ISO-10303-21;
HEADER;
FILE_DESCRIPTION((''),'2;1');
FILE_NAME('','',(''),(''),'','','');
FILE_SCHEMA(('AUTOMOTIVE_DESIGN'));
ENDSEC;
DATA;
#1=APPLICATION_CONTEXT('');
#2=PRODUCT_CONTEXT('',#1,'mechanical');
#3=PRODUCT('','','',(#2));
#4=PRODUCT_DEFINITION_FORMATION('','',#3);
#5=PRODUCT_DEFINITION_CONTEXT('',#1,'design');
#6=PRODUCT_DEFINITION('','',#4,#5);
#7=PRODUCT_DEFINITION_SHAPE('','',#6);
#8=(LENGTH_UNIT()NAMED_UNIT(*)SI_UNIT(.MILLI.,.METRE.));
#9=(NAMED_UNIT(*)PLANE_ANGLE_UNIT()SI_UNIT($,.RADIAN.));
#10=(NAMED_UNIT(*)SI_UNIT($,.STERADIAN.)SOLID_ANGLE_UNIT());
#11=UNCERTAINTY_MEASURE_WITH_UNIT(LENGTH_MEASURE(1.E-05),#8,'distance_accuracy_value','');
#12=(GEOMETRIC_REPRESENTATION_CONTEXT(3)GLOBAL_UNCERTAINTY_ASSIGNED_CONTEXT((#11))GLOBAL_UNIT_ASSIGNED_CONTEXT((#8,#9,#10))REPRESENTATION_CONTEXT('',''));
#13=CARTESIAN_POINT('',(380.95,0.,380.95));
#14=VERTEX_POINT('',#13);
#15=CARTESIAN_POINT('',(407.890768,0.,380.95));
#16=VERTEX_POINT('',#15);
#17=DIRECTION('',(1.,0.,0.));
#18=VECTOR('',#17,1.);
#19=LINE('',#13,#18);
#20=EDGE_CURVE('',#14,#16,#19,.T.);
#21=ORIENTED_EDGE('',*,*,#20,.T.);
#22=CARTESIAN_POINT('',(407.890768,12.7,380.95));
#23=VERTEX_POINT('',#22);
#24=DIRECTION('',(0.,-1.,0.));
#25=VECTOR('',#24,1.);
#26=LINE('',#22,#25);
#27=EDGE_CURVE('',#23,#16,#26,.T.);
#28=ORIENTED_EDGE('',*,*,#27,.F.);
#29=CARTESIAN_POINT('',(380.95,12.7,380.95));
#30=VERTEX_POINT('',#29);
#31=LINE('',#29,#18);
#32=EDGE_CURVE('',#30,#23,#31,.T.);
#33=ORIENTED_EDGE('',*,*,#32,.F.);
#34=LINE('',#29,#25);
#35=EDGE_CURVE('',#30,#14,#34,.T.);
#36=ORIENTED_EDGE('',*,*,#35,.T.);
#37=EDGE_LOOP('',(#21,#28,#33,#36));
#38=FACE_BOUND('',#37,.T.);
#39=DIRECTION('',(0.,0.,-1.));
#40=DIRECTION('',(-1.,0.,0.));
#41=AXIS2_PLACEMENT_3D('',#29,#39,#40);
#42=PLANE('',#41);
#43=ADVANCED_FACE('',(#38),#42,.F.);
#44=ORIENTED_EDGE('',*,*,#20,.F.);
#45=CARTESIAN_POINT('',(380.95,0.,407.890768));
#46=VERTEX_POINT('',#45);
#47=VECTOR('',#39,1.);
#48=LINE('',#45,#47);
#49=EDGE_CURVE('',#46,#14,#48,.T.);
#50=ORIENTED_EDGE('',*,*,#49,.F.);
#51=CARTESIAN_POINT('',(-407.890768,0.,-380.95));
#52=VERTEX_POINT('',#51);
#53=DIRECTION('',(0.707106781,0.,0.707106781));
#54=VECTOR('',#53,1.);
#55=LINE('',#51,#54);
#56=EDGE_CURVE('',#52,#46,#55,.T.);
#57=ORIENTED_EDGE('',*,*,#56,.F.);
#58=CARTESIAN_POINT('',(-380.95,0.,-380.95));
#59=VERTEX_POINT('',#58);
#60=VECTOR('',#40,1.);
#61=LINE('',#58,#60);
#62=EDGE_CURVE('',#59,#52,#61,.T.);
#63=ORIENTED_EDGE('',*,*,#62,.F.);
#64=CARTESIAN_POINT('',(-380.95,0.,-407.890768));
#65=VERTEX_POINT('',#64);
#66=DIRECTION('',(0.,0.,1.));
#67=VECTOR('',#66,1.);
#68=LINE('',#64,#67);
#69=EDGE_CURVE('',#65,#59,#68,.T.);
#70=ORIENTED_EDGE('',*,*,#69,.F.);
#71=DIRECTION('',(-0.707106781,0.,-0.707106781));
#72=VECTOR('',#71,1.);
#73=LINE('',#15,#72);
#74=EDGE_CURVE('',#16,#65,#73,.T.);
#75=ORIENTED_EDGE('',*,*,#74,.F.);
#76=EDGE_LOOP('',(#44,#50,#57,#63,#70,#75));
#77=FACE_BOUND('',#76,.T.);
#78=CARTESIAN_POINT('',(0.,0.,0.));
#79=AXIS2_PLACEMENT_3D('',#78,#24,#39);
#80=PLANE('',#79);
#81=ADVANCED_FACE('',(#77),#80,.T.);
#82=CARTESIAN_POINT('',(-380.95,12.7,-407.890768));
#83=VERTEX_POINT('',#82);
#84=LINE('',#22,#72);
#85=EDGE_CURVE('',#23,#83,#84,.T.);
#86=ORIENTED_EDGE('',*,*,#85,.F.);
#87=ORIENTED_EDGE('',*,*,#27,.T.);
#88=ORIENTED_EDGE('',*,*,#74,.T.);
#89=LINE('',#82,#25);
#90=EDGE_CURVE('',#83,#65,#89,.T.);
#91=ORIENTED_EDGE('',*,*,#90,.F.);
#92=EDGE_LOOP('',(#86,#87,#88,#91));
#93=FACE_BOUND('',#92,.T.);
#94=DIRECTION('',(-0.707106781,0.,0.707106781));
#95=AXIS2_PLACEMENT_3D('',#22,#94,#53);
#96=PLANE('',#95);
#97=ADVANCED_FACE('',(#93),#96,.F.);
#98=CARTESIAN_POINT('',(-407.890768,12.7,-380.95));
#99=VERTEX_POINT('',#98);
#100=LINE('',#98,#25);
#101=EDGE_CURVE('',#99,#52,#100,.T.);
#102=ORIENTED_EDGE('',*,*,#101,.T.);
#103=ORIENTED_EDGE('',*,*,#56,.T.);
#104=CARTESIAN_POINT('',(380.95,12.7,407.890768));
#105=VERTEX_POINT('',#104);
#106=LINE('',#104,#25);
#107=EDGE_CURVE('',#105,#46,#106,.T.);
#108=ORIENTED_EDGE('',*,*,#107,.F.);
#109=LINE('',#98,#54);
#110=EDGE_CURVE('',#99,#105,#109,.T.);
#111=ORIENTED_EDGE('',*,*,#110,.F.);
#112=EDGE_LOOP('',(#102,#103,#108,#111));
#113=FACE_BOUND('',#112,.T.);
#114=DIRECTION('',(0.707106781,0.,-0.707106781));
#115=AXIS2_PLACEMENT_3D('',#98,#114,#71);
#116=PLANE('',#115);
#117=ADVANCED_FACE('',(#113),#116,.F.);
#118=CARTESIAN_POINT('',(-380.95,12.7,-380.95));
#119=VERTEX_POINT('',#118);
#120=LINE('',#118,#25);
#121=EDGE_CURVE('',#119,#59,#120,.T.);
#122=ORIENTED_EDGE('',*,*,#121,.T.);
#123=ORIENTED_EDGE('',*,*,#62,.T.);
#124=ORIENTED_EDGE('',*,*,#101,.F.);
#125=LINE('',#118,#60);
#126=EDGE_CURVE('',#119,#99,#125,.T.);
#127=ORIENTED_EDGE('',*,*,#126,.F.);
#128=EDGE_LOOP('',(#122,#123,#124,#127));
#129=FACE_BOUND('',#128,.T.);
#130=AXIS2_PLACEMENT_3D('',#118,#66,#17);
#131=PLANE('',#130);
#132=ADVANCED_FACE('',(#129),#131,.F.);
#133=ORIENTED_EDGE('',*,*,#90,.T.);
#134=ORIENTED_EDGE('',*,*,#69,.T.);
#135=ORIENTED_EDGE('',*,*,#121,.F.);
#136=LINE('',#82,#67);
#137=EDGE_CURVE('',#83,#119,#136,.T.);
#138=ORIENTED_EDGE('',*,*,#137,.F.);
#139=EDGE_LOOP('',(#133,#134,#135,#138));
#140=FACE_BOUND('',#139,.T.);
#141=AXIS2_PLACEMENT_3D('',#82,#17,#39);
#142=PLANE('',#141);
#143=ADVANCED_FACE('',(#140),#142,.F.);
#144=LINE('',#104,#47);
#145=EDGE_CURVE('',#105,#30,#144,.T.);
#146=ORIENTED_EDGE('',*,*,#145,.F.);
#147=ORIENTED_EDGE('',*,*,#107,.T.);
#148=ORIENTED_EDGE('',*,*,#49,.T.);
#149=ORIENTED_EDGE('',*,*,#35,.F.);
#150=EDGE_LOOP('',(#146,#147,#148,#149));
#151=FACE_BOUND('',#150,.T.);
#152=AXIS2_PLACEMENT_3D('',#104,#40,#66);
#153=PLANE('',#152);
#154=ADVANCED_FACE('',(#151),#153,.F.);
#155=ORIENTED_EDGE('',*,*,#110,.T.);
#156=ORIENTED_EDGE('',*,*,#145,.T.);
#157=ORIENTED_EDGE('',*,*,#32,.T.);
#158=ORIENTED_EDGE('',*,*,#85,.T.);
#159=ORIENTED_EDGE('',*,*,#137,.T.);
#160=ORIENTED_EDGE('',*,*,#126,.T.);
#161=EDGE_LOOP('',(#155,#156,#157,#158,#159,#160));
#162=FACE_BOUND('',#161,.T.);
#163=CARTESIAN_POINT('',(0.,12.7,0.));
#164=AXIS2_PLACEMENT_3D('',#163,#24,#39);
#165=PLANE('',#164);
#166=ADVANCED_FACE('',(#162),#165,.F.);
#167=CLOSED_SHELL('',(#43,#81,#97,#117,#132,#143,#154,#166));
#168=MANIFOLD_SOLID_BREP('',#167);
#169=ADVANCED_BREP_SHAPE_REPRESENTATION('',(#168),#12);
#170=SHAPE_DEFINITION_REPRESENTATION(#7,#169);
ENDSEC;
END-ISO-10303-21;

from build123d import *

# Parameters (mm, degrees)
BOSS_EXTRUDE1_DEPTH = 12.7


with BuildPart() as part:
    # Sketch1 → Boss-Extrude1 (new body)
    with BuildSketch(Plane(origin=(0, 0, 0), x_dir=(1, 0, 0), z_dir=(0, 1, 0))):
        Polygon((-380.95, 407.890768363), (-380.95, 380.95), (-407.890768363, 380.95), (380.95, -407.890768363), (380.95, -380.95), (407.890768363, -380.95), align=None)
    extrude(amount=BOSS_EXTRUDE1_DEPTH)


solid = part.part
